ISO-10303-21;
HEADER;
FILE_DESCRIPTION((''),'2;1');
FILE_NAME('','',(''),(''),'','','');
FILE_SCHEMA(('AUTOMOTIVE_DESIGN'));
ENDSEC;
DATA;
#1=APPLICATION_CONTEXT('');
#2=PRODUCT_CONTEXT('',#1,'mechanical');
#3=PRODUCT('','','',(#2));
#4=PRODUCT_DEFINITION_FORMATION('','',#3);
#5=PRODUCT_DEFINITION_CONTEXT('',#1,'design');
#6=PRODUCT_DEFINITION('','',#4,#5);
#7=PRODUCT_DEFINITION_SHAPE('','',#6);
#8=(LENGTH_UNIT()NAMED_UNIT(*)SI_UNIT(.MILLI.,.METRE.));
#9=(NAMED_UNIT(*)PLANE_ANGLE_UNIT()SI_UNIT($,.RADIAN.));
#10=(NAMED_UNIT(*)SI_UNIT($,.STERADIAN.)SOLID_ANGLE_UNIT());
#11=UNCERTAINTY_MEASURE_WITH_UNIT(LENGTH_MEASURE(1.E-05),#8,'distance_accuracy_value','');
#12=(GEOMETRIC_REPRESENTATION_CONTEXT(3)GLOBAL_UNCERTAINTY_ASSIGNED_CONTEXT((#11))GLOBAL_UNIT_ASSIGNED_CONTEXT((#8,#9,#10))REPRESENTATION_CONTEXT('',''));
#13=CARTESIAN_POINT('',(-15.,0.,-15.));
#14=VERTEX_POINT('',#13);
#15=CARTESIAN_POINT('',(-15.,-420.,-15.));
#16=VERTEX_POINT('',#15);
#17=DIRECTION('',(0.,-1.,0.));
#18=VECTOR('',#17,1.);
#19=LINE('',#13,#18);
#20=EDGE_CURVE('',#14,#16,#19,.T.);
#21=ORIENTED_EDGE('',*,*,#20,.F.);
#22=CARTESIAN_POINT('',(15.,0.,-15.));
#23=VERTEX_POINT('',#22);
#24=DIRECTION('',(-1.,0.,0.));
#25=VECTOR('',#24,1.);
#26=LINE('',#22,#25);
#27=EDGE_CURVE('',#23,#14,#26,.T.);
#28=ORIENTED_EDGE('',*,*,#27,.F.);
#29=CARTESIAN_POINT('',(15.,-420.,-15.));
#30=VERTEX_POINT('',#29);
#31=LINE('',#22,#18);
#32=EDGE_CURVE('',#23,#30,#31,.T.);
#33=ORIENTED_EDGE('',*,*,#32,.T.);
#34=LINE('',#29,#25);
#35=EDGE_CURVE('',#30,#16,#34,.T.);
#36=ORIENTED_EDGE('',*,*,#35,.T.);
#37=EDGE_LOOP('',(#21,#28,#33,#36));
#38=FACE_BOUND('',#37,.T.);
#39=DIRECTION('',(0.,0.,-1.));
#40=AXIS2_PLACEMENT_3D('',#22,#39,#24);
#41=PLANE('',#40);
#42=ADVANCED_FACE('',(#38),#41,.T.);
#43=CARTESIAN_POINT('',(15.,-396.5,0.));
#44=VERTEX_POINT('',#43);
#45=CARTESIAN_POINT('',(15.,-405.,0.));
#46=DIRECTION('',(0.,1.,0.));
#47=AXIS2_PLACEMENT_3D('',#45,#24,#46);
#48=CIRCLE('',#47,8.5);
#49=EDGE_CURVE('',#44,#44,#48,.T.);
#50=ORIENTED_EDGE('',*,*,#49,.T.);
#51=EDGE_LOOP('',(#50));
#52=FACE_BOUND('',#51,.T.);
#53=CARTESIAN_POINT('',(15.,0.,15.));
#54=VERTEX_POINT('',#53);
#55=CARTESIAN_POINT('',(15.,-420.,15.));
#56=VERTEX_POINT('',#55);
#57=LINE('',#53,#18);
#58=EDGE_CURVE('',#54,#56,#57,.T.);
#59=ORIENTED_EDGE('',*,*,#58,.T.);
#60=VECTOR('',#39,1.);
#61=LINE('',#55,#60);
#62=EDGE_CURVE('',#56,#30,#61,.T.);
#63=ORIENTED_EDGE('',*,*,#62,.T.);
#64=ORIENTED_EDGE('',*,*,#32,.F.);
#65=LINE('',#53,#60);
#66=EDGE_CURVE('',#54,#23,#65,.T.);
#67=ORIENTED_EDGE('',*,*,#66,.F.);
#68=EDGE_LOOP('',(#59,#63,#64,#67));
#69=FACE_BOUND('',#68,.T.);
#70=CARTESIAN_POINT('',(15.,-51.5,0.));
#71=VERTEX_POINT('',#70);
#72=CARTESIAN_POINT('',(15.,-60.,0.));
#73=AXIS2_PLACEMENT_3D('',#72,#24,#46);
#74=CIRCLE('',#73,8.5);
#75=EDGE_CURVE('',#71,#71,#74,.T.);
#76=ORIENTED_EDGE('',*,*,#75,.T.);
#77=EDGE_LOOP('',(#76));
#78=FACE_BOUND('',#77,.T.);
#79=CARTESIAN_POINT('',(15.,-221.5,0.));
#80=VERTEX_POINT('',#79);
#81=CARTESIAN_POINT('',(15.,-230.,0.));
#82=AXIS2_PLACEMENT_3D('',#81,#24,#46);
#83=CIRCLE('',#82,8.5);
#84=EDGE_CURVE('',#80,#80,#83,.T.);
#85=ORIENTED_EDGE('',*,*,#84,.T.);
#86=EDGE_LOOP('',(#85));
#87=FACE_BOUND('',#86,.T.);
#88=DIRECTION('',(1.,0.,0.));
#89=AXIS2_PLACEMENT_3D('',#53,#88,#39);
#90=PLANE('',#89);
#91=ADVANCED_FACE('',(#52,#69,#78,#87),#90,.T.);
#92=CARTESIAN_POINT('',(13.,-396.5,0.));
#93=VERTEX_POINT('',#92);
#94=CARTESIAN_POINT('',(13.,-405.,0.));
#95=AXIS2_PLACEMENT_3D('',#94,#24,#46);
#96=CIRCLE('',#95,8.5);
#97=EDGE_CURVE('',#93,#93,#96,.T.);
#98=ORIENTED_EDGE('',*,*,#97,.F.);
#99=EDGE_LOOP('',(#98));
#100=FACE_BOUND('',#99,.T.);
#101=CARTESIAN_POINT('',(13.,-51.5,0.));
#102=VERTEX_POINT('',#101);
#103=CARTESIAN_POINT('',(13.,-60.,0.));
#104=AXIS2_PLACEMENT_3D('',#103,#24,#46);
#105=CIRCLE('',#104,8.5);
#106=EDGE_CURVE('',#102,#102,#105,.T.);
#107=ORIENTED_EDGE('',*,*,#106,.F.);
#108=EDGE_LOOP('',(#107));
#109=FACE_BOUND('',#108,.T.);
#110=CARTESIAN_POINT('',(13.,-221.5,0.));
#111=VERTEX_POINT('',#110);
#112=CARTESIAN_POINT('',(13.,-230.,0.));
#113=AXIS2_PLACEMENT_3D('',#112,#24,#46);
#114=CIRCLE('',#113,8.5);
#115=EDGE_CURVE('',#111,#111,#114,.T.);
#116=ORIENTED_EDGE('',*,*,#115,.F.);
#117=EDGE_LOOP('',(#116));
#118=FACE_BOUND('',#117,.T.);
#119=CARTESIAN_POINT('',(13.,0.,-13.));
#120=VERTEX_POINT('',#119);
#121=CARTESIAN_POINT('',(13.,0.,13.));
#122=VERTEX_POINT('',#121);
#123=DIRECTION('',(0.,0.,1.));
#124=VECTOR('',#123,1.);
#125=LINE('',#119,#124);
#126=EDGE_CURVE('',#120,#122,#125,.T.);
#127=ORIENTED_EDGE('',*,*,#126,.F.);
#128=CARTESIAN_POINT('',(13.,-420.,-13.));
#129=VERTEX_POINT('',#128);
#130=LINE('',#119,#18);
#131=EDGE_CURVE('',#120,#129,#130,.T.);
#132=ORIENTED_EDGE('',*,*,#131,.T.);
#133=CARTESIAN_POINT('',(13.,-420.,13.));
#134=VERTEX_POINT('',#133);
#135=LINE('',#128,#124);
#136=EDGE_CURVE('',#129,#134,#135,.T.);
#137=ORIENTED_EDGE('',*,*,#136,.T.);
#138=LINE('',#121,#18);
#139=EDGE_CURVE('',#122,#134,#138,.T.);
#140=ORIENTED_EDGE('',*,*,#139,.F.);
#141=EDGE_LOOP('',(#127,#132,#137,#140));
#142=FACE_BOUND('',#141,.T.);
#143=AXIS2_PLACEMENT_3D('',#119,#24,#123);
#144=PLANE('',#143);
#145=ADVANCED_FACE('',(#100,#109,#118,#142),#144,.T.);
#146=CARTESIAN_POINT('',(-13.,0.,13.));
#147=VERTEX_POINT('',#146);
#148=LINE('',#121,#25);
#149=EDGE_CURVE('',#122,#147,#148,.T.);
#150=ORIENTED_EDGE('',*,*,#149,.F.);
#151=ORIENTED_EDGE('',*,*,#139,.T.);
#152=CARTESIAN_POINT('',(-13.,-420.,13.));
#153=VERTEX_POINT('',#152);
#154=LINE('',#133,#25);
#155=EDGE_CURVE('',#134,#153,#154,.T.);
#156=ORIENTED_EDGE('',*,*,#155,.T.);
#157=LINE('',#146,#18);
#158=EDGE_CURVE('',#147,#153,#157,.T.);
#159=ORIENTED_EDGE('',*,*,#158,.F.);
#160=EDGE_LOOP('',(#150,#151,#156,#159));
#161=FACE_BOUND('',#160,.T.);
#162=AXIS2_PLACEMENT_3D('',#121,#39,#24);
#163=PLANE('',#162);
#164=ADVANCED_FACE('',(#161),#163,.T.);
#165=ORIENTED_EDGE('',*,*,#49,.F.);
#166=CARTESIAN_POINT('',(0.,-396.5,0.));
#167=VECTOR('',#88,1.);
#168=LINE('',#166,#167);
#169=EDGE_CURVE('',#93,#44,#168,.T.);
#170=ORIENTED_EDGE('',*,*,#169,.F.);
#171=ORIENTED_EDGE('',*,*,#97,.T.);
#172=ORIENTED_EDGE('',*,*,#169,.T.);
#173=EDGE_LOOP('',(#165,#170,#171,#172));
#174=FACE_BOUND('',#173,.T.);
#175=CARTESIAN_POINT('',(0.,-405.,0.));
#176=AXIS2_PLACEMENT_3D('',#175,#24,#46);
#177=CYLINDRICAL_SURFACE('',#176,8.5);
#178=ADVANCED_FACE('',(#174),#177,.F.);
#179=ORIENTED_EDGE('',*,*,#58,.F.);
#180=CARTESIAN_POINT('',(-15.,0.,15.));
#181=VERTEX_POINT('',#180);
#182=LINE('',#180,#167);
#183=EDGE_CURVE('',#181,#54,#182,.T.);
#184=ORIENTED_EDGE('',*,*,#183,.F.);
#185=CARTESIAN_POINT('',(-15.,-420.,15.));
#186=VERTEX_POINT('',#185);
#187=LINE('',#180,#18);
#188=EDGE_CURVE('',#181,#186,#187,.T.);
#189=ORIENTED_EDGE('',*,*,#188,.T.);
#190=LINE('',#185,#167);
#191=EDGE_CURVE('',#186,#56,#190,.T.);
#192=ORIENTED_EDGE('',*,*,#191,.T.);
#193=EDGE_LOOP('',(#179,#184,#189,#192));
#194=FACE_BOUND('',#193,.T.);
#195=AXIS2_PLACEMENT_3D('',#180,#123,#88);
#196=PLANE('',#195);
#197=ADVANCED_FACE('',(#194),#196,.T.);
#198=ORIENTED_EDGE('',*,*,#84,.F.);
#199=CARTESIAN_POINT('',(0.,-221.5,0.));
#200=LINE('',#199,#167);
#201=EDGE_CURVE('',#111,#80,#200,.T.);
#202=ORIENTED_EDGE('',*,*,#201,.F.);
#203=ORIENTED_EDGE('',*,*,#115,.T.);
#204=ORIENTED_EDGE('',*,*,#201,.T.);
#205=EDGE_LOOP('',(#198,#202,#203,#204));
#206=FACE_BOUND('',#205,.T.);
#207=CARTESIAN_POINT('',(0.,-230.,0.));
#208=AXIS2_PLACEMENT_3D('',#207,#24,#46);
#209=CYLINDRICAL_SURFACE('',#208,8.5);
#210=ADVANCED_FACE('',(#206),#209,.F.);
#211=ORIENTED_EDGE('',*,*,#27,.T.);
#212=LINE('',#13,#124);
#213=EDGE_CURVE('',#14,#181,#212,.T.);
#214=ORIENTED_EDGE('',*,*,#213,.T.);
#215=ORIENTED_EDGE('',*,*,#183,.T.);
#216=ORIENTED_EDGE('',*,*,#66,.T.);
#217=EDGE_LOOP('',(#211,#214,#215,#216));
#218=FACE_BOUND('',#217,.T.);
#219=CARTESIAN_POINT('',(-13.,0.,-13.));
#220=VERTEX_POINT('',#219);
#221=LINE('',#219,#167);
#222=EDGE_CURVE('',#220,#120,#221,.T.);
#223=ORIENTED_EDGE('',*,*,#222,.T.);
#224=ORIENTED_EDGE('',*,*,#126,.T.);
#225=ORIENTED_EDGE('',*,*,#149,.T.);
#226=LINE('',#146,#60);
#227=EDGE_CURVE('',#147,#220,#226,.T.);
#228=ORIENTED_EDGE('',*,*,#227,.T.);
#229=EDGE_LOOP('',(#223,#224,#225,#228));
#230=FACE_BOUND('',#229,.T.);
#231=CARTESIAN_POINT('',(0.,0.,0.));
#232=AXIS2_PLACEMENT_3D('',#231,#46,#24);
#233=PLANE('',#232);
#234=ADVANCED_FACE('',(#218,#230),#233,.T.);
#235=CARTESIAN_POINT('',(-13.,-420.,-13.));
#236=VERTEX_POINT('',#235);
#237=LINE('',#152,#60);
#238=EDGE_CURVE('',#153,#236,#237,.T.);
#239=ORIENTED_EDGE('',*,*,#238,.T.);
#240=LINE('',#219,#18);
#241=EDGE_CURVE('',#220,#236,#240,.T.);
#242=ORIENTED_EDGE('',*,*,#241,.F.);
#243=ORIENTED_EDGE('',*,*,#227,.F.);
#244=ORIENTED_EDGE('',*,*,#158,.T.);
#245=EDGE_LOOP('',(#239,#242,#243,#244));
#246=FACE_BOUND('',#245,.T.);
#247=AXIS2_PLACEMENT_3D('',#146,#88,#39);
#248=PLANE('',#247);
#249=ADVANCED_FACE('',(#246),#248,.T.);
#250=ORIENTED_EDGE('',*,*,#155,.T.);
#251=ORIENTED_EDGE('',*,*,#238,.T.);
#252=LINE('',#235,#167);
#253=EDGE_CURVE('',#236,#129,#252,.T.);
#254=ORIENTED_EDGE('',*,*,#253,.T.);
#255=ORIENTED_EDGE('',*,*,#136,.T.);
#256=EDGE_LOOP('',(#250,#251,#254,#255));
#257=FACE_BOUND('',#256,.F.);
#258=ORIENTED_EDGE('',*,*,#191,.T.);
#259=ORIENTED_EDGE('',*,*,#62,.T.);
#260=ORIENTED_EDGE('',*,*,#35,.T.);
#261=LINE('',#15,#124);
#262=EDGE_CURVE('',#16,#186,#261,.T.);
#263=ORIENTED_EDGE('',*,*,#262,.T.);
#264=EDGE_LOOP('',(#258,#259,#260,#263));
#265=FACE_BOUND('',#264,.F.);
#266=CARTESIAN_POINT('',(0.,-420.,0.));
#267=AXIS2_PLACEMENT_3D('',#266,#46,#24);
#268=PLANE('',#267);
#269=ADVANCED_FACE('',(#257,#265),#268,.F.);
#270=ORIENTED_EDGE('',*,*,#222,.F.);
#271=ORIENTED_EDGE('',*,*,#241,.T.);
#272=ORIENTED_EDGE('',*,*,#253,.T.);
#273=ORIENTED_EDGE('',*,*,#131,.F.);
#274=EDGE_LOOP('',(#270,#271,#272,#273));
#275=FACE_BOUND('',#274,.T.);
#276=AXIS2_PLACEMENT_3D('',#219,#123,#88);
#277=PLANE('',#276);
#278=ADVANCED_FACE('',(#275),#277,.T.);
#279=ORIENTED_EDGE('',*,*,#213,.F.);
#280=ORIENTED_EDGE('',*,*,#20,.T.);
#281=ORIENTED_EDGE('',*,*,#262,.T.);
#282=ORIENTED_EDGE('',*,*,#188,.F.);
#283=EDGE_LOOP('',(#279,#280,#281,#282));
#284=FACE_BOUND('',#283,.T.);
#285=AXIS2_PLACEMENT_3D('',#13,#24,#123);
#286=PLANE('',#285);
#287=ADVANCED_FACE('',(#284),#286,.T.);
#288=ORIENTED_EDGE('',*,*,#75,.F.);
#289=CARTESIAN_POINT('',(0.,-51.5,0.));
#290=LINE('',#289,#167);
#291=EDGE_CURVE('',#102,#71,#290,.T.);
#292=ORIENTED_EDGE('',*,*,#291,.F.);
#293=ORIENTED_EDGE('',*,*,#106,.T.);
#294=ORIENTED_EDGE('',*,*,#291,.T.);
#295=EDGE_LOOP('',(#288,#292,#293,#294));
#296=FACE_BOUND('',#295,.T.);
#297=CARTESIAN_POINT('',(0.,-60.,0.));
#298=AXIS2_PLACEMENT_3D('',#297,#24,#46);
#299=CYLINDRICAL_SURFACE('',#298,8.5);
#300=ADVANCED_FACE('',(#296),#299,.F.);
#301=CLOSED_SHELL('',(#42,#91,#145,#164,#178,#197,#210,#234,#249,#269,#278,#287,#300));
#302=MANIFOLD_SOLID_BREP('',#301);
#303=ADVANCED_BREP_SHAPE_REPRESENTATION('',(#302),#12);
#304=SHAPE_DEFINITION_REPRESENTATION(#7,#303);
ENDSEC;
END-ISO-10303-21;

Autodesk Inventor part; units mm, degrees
ref_plane "YZ Plane" through (0, 0, 0) normal (1, 0, 0) x (0, 1, 0)
ref_plane "XZ Plane" through (0, 0, 0) normal (0, 1, 0) x (-1, 0, 0)
ref_plane "XY Plane" through (0, 0, 0) normal (0, 0, 1) x (1, 0, 0)
sketch "Sketch9" plane through (0, 0, 0) normal (0, 1, 0) x (-1, 0, 0)
  line L0 (15, 15) -> (-15, 15)
  line L1 (-15, 15) -> (-15, -15)
  line L2 (-15, -15) -> (15, -15)
  line L3 (15, -15) -> (15, 15)
  line L4 (15, 15) -> (-15, -15) construction
  line L5 (-15, 15) -> (15, -15) construction
  line L6 (-13, 13) -> (13, 13)
  line L7 (13, 13) -> (13, -13)
  line L8 (13, -13) -> (-13, -13)
  line L9 (-13, -13) -> (-13, 13)
  point P0 (0, 0)
  dimension "d172" = 30
  dimension "d173" = 30
  dimension "d174" = 2
extrude "Extrusion3" add sketch "Sketch9" against normal blind 420
sketch "Sketch10" plane through (0, 0, 0) normal (1, 0, 0) x (0, 1, 0)
  line L0 (0, 15) -> (0, -15) construction
  line L1 (0, 15) -> (-420, 15) construction
  line L2 (-420, -15) -> (-420, 15) construction
  line L3 (0, -15) -> (-420, -15) construction
  line L4 (-68.5, 8.5) -> (-51.5, 8.5)
  line L5 (-51.5, 8.5) -> (-51.5, -8.5)
  line L6 (-51.5, -8.5) -> (-68.5, -8.5)
  line L7 (-68.5, -8.5) -> (-68.5, 8.5)
  line L8 (-68.5, 8.5) -> (-51.5, -8.5) construction
  line L9 (-51.5, 8.5) -> (-68.5, -8.5) construction
  line L10 (-238.5, 8.5) -> (-221.5, 8.5)
  line L11 (-221.5, 8.5) -> (-221.5, -8.5)
  line L12 (-221.5, -8.5) -> (-238.5, -8.5)
  line L13 (-238.5, -8.5) -> (-238.5, 8.5)
  line L14 (-238.5, 8.5) -> (-221.5, -8.5) construction
  line L15 (-221.5, 8.5) -> (-238.5, -8.5) construction
  line L16 (-413.5, 8.5) -> (-396.5, 8.5)
  line L17 (-396.5, 8.5) -> (-396.5, -8.5)
  line L18 (-396.5, -8.5) -> (-413.5, -8.5)
  line L19 (-413.5, -8.5) -> (-413.5, 8.5)
  line L20 (-413.5, 8.5) -> (-396.5, -8.5) construction
  line L21 (-396.5, 8.5) -> (-413.5, -8.5) construction
  circle A0 centre (-470, 0) radius 8.5
  line L22 (0, 0) -> (30, 0)
  circle A1 centre (-60, 0) radius 8.5
  circle A2 centre (-230, 0) radius 8.5
  circle A3 centre (-405, 0) radius 8.5
  dimension "d177" = 17
  dimension "d178" = 17
  dimension "d181" = 30
  dimension "d182" = 90
  dimension "d183" = 260
  dimension "d184" = 435
  dimension "d185" = 500
  dimension "d186" = 17
extrude "Extrusion4" cut sketch "Sketch10" along normal through all contours A1 | A2 | A3
properties part number "TZS 1752 FDS 1200 way tube 2" material "Stainless Steel"
